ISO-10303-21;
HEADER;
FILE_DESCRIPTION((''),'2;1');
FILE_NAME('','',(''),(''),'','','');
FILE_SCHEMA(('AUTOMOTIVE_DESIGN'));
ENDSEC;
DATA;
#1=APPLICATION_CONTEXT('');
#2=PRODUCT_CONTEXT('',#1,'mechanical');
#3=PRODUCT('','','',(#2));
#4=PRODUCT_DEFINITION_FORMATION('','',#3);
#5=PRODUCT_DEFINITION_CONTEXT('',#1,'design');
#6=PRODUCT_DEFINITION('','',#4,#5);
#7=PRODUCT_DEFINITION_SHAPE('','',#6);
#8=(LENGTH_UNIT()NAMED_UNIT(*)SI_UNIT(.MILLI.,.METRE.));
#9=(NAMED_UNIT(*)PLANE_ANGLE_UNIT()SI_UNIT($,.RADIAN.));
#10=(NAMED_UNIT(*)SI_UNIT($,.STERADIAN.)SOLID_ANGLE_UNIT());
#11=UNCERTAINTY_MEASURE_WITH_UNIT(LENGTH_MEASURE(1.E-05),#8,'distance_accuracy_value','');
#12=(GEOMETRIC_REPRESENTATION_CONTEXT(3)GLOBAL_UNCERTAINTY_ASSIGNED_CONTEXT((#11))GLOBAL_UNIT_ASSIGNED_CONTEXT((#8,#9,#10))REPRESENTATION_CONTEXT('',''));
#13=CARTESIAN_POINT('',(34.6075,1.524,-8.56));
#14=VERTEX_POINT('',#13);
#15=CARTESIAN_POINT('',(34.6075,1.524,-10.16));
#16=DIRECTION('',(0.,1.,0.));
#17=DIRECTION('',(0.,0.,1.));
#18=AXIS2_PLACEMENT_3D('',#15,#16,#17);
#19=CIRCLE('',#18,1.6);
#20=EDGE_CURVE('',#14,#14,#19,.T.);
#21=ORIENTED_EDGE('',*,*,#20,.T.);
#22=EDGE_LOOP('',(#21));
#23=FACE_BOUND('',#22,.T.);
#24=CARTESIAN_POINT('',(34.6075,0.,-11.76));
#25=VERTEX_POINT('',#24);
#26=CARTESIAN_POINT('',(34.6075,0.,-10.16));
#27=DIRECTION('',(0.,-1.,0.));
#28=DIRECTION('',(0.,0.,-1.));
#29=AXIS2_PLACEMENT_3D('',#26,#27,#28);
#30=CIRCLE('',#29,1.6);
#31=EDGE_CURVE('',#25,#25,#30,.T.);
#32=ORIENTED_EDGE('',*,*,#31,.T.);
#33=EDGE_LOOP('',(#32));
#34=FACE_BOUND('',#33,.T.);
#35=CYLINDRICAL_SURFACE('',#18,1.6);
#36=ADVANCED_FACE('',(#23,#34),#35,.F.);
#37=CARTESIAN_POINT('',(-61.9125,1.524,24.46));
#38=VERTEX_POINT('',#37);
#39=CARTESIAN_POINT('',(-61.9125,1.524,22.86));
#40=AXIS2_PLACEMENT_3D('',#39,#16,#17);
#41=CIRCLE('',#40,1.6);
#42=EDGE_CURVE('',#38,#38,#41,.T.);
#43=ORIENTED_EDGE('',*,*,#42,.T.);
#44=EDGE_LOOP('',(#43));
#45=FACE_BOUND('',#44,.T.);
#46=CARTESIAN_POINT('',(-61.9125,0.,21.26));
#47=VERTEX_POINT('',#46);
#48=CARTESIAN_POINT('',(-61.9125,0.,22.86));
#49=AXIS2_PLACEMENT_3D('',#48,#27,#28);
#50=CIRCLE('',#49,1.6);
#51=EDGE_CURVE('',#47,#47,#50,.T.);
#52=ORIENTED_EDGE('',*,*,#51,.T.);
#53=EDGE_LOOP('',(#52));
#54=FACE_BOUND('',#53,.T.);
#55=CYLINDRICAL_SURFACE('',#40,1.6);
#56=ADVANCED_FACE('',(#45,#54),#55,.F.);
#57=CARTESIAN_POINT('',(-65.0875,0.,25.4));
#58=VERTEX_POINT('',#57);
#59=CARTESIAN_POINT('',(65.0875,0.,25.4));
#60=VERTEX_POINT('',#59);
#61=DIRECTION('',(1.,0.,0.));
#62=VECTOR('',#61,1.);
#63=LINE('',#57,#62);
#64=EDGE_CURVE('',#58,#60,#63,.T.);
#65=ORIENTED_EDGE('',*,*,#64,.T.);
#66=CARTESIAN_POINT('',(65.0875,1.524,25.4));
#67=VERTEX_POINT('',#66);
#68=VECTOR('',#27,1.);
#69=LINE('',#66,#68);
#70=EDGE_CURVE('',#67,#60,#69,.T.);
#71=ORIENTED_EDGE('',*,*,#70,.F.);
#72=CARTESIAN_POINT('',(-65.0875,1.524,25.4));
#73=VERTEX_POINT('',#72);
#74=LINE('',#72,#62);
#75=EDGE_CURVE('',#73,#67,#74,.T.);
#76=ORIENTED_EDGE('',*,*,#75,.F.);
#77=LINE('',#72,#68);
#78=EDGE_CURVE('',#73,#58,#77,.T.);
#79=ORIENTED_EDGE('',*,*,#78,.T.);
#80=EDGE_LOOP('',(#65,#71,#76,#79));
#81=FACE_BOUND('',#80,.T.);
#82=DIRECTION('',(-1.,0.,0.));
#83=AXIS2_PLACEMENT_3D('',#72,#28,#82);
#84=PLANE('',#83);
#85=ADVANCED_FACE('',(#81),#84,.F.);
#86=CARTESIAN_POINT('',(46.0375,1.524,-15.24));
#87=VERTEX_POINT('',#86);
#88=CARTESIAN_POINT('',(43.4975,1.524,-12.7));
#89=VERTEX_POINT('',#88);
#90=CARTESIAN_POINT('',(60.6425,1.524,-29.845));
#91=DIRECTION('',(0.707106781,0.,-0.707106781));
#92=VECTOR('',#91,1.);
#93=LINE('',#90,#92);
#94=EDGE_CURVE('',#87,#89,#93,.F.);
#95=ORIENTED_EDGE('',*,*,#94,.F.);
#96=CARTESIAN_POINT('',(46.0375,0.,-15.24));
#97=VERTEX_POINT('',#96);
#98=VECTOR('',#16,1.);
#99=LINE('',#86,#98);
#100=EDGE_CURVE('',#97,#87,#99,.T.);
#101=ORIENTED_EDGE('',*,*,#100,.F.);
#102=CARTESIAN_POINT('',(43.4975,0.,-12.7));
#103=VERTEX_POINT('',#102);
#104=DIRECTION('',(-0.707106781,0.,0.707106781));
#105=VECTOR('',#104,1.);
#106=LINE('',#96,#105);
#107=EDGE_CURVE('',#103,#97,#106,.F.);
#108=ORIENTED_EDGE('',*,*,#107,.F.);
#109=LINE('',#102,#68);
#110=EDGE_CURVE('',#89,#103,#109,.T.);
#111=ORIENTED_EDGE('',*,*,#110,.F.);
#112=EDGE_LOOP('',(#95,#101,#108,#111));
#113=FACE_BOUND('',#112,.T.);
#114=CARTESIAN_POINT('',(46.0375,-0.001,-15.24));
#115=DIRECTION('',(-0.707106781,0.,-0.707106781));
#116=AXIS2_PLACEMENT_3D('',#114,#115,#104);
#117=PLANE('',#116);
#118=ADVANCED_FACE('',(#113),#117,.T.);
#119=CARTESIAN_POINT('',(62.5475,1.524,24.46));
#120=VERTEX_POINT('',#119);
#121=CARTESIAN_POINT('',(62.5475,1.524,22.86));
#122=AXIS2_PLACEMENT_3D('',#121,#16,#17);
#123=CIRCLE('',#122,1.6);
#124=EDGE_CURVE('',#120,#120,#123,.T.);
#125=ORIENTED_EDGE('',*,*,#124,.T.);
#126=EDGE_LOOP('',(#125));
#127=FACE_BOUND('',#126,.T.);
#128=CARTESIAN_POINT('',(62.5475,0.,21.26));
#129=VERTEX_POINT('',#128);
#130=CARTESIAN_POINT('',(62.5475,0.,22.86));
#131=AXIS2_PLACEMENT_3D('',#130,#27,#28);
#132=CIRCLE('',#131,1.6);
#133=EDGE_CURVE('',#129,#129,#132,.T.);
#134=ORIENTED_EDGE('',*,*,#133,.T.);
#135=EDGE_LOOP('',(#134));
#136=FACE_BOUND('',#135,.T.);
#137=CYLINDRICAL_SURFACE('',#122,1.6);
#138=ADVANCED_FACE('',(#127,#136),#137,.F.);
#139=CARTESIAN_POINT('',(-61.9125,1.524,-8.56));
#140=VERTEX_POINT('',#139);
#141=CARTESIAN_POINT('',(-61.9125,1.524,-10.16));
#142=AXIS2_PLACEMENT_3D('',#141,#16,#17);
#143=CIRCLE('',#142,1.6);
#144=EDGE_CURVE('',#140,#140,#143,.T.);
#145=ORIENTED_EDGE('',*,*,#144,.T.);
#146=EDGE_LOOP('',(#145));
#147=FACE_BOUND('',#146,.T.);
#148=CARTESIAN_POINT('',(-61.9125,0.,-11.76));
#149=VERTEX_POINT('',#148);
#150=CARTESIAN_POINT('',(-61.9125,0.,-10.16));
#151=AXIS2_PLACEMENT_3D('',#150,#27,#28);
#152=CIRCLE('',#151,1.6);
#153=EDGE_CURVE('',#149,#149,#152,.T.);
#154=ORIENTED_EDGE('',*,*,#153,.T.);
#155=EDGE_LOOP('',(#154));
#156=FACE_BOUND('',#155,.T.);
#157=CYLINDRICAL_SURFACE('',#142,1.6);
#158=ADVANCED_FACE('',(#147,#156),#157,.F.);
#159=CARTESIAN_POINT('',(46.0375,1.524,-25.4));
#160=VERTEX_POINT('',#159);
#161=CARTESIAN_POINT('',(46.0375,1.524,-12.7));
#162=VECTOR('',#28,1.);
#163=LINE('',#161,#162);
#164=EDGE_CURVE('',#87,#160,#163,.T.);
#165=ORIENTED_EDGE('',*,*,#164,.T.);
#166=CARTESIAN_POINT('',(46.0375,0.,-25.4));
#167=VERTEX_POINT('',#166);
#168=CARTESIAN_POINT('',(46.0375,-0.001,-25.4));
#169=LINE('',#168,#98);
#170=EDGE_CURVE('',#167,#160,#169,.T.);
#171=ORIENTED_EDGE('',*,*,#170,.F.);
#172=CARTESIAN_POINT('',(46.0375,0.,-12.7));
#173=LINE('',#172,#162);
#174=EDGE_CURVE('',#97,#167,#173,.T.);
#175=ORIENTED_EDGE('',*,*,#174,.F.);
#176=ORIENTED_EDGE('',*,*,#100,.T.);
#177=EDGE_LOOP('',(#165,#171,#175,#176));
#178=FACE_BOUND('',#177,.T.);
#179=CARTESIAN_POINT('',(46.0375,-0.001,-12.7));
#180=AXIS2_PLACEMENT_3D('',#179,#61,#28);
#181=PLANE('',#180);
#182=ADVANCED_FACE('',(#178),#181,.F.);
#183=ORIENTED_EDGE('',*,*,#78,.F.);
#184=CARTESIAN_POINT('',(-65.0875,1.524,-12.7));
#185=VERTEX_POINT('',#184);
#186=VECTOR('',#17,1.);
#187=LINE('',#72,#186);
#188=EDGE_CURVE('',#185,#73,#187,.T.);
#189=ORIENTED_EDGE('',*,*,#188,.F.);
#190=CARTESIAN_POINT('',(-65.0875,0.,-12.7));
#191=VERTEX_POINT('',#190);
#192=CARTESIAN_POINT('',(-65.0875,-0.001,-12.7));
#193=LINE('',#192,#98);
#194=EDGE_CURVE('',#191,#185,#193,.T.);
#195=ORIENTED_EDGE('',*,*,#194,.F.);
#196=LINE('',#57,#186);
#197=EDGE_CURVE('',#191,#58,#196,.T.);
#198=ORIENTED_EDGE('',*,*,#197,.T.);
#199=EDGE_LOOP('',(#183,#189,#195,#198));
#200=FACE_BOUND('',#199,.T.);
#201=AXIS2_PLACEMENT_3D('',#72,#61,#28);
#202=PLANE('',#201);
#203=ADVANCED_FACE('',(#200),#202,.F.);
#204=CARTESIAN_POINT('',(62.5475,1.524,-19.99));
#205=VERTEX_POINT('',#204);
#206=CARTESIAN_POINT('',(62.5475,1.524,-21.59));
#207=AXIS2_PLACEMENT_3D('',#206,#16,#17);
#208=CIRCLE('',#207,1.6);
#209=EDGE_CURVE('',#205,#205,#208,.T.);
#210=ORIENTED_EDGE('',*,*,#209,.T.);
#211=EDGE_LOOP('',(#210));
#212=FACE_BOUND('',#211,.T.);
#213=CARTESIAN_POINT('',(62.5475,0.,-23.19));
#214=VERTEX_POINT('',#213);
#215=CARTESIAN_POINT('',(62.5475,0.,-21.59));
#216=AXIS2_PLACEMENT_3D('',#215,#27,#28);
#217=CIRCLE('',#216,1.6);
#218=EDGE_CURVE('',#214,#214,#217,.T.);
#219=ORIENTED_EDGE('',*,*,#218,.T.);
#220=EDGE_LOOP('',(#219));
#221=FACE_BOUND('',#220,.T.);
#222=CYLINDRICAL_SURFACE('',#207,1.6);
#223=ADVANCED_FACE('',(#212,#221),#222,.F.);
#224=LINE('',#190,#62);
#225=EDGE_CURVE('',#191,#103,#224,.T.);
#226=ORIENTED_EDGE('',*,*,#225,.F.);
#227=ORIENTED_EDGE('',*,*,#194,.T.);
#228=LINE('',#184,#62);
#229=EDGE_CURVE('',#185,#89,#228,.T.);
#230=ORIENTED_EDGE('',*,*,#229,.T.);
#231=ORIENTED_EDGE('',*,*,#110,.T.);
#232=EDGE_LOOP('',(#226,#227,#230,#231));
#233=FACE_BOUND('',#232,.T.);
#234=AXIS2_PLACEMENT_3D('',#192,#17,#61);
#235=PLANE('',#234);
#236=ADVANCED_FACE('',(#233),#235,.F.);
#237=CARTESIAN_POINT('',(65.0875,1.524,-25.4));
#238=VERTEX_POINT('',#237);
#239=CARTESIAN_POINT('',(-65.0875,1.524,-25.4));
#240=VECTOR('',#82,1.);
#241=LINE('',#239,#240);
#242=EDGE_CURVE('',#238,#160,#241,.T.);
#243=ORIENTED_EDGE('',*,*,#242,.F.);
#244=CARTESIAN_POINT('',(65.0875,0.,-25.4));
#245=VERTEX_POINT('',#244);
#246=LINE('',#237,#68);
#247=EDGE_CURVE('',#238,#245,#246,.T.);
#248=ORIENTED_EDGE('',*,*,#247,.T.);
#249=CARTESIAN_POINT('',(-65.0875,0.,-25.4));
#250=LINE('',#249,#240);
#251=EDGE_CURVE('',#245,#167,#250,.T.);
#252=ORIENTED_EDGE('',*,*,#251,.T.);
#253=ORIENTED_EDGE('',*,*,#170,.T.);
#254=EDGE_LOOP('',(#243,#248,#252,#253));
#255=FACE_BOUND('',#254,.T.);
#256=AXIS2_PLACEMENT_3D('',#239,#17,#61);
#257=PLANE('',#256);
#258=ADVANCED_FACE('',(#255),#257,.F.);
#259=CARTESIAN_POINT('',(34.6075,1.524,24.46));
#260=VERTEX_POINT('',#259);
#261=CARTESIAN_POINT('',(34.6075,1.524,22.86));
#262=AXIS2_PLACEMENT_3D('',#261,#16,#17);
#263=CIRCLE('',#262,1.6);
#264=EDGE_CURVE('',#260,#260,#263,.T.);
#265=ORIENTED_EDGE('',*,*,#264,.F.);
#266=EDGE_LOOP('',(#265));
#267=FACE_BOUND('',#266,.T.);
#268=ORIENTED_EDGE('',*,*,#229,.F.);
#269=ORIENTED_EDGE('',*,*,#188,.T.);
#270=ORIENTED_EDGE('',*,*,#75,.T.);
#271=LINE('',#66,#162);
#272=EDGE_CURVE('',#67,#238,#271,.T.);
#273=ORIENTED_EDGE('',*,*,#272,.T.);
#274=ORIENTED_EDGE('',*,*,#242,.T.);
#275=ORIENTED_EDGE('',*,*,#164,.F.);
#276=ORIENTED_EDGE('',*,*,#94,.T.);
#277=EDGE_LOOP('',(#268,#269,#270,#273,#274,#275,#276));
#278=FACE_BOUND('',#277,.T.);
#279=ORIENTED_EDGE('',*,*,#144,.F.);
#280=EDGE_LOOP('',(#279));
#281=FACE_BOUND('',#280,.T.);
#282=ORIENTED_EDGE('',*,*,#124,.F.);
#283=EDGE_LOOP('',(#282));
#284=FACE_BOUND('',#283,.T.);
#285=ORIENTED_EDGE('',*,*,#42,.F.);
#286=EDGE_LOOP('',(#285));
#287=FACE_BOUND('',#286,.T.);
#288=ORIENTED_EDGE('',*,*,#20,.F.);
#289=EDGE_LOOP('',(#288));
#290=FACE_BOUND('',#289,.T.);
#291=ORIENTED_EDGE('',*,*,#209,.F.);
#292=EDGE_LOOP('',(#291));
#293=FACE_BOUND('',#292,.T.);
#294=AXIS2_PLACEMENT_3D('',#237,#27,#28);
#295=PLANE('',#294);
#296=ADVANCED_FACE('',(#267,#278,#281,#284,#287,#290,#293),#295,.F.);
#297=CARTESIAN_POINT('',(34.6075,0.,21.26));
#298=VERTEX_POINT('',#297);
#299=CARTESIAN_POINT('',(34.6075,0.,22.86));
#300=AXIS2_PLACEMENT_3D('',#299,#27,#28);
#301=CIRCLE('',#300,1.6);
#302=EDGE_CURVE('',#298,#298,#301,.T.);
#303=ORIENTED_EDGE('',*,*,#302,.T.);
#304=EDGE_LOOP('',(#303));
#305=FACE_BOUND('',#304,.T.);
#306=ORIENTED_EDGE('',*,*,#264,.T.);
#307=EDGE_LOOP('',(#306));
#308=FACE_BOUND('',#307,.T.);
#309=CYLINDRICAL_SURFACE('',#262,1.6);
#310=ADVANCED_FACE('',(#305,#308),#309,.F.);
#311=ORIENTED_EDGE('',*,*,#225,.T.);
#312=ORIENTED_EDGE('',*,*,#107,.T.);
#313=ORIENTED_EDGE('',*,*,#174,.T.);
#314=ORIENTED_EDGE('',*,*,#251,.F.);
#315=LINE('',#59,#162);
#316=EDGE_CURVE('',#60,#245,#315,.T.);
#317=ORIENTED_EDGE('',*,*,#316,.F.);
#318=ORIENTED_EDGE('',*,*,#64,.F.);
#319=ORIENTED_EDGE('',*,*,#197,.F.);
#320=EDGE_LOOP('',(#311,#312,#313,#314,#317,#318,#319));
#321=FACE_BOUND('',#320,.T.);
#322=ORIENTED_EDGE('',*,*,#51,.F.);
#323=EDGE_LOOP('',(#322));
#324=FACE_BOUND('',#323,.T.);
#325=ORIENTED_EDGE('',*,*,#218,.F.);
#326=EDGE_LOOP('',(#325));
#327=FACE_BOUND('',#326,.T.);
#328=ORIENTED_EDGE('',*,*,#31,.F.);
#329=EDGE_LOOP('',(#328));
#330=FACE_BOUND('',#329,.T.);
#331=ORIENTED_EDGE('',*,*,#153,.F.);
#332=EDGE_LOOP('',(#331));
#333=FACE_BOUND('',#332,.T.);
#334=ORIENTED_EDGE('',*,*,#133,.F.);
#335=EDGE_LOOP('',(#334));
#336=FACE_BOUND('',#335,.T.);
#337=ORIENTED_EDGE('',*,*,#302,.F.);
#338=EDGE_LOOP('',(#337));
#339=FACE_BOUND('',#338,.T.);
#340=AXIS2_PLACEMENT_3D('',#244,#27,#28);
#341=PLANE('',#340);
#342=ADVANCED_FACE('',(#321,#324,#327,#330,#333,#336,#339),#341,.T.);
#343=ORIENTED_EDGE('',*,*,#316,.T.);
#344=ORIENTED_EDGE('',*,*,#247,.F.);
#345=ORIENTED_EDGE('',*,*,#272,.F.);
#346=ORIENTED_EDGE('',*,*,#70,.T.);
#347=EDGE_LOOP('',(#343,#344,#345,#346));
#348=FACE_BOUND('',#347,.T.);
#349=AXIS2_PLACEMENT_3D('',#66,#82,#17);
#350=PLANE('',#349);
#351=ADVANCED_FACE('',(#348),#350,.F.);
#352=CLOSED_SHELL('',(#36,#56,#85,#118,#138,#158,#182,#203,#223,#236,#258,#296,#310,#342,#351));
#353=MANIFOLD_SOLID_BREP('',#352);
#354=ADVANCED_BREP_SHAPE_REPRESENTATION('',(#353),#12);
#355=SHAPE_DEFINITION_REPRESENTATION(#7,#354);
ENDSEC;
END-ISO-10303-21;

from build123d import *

# Parameters (mm, degrees)
SKETCH1_W                  = 130.175
SKETCH1_H                  = 50.8
BOSS_EXTRUDE1_DEPTH        = 1.524
CUT_EXTRUDE1_REACH         = 71.885
SKETCH6_W                  = 111.125
SKETCH6_H                  = 12.7
CHAMFER2_SIZE              = 2.54
F_3_2_3_2_DIAMETER_HOLE1_D = 3.2


with BuildPart() as part:
    # Sketch1 → Boss-Extrude1 (new body)
    with BuildSketch(Plane(origin=(0, 0, 0), x_dir=(1, 0, 0), z_dir=(0, 1, 0))):
        Rectangle(SKETCH1_W, SKETCH1_H)
    extrude(amount=BOSS_EXTRUDE1_DEPTH)

    # Sketch6 → Cut-Extrude1 (cut, up to next)
    with BuildSketch(Plane(origin=(0, 1.524, 0), x_dir=(1, 0, 0), z_dir=(0, 1, 0)), mode=Mode.PRIVATE) as cut_extrude1_sk1:
        with Locations((-9.525, 19.05)):
            Rectangle(SKETCH6_W, SKETCH6_H)
    cut_extrude1_tool1 = extrude(cut_extrude1_sk1.sketch, amount=-CUT_EXTRUDE1_REACH, mode=Mode.PRIVATE) & part.part
    add(cut_extrude1_tool1.solids().sort_by_distance((-9.525, 1.524, -19.05))[0], mode=Mode.SUBTRACT)

    # Chamfer2
    chamfer2_edges = [part.edges().sort_by_distance(p)[0] for p in [
        (46.0375, 0.762, -12.7),
    ]]
    chamfer(chamfer2_edges, length=CHAMFER2_SIZE)

    # Ø3.2 (3.2) Diameter Hole1 (through all)
    with Locations(Plane(origin=(0, 1.524, 0), x_dir=(-1, 0, 0), z_dir=(0, 1, 0))):
        with Locations((-62.5475, 22.86), (-62.5475, -21.59), (-34.6075, 22.86), (-34.6075, -10.16), (61.9125, 22.86), (61.9125, -10.16)):
            Hole(F_3_2_3_2_DIAMETER_HOLE1_D / 2)


solid = part.part
